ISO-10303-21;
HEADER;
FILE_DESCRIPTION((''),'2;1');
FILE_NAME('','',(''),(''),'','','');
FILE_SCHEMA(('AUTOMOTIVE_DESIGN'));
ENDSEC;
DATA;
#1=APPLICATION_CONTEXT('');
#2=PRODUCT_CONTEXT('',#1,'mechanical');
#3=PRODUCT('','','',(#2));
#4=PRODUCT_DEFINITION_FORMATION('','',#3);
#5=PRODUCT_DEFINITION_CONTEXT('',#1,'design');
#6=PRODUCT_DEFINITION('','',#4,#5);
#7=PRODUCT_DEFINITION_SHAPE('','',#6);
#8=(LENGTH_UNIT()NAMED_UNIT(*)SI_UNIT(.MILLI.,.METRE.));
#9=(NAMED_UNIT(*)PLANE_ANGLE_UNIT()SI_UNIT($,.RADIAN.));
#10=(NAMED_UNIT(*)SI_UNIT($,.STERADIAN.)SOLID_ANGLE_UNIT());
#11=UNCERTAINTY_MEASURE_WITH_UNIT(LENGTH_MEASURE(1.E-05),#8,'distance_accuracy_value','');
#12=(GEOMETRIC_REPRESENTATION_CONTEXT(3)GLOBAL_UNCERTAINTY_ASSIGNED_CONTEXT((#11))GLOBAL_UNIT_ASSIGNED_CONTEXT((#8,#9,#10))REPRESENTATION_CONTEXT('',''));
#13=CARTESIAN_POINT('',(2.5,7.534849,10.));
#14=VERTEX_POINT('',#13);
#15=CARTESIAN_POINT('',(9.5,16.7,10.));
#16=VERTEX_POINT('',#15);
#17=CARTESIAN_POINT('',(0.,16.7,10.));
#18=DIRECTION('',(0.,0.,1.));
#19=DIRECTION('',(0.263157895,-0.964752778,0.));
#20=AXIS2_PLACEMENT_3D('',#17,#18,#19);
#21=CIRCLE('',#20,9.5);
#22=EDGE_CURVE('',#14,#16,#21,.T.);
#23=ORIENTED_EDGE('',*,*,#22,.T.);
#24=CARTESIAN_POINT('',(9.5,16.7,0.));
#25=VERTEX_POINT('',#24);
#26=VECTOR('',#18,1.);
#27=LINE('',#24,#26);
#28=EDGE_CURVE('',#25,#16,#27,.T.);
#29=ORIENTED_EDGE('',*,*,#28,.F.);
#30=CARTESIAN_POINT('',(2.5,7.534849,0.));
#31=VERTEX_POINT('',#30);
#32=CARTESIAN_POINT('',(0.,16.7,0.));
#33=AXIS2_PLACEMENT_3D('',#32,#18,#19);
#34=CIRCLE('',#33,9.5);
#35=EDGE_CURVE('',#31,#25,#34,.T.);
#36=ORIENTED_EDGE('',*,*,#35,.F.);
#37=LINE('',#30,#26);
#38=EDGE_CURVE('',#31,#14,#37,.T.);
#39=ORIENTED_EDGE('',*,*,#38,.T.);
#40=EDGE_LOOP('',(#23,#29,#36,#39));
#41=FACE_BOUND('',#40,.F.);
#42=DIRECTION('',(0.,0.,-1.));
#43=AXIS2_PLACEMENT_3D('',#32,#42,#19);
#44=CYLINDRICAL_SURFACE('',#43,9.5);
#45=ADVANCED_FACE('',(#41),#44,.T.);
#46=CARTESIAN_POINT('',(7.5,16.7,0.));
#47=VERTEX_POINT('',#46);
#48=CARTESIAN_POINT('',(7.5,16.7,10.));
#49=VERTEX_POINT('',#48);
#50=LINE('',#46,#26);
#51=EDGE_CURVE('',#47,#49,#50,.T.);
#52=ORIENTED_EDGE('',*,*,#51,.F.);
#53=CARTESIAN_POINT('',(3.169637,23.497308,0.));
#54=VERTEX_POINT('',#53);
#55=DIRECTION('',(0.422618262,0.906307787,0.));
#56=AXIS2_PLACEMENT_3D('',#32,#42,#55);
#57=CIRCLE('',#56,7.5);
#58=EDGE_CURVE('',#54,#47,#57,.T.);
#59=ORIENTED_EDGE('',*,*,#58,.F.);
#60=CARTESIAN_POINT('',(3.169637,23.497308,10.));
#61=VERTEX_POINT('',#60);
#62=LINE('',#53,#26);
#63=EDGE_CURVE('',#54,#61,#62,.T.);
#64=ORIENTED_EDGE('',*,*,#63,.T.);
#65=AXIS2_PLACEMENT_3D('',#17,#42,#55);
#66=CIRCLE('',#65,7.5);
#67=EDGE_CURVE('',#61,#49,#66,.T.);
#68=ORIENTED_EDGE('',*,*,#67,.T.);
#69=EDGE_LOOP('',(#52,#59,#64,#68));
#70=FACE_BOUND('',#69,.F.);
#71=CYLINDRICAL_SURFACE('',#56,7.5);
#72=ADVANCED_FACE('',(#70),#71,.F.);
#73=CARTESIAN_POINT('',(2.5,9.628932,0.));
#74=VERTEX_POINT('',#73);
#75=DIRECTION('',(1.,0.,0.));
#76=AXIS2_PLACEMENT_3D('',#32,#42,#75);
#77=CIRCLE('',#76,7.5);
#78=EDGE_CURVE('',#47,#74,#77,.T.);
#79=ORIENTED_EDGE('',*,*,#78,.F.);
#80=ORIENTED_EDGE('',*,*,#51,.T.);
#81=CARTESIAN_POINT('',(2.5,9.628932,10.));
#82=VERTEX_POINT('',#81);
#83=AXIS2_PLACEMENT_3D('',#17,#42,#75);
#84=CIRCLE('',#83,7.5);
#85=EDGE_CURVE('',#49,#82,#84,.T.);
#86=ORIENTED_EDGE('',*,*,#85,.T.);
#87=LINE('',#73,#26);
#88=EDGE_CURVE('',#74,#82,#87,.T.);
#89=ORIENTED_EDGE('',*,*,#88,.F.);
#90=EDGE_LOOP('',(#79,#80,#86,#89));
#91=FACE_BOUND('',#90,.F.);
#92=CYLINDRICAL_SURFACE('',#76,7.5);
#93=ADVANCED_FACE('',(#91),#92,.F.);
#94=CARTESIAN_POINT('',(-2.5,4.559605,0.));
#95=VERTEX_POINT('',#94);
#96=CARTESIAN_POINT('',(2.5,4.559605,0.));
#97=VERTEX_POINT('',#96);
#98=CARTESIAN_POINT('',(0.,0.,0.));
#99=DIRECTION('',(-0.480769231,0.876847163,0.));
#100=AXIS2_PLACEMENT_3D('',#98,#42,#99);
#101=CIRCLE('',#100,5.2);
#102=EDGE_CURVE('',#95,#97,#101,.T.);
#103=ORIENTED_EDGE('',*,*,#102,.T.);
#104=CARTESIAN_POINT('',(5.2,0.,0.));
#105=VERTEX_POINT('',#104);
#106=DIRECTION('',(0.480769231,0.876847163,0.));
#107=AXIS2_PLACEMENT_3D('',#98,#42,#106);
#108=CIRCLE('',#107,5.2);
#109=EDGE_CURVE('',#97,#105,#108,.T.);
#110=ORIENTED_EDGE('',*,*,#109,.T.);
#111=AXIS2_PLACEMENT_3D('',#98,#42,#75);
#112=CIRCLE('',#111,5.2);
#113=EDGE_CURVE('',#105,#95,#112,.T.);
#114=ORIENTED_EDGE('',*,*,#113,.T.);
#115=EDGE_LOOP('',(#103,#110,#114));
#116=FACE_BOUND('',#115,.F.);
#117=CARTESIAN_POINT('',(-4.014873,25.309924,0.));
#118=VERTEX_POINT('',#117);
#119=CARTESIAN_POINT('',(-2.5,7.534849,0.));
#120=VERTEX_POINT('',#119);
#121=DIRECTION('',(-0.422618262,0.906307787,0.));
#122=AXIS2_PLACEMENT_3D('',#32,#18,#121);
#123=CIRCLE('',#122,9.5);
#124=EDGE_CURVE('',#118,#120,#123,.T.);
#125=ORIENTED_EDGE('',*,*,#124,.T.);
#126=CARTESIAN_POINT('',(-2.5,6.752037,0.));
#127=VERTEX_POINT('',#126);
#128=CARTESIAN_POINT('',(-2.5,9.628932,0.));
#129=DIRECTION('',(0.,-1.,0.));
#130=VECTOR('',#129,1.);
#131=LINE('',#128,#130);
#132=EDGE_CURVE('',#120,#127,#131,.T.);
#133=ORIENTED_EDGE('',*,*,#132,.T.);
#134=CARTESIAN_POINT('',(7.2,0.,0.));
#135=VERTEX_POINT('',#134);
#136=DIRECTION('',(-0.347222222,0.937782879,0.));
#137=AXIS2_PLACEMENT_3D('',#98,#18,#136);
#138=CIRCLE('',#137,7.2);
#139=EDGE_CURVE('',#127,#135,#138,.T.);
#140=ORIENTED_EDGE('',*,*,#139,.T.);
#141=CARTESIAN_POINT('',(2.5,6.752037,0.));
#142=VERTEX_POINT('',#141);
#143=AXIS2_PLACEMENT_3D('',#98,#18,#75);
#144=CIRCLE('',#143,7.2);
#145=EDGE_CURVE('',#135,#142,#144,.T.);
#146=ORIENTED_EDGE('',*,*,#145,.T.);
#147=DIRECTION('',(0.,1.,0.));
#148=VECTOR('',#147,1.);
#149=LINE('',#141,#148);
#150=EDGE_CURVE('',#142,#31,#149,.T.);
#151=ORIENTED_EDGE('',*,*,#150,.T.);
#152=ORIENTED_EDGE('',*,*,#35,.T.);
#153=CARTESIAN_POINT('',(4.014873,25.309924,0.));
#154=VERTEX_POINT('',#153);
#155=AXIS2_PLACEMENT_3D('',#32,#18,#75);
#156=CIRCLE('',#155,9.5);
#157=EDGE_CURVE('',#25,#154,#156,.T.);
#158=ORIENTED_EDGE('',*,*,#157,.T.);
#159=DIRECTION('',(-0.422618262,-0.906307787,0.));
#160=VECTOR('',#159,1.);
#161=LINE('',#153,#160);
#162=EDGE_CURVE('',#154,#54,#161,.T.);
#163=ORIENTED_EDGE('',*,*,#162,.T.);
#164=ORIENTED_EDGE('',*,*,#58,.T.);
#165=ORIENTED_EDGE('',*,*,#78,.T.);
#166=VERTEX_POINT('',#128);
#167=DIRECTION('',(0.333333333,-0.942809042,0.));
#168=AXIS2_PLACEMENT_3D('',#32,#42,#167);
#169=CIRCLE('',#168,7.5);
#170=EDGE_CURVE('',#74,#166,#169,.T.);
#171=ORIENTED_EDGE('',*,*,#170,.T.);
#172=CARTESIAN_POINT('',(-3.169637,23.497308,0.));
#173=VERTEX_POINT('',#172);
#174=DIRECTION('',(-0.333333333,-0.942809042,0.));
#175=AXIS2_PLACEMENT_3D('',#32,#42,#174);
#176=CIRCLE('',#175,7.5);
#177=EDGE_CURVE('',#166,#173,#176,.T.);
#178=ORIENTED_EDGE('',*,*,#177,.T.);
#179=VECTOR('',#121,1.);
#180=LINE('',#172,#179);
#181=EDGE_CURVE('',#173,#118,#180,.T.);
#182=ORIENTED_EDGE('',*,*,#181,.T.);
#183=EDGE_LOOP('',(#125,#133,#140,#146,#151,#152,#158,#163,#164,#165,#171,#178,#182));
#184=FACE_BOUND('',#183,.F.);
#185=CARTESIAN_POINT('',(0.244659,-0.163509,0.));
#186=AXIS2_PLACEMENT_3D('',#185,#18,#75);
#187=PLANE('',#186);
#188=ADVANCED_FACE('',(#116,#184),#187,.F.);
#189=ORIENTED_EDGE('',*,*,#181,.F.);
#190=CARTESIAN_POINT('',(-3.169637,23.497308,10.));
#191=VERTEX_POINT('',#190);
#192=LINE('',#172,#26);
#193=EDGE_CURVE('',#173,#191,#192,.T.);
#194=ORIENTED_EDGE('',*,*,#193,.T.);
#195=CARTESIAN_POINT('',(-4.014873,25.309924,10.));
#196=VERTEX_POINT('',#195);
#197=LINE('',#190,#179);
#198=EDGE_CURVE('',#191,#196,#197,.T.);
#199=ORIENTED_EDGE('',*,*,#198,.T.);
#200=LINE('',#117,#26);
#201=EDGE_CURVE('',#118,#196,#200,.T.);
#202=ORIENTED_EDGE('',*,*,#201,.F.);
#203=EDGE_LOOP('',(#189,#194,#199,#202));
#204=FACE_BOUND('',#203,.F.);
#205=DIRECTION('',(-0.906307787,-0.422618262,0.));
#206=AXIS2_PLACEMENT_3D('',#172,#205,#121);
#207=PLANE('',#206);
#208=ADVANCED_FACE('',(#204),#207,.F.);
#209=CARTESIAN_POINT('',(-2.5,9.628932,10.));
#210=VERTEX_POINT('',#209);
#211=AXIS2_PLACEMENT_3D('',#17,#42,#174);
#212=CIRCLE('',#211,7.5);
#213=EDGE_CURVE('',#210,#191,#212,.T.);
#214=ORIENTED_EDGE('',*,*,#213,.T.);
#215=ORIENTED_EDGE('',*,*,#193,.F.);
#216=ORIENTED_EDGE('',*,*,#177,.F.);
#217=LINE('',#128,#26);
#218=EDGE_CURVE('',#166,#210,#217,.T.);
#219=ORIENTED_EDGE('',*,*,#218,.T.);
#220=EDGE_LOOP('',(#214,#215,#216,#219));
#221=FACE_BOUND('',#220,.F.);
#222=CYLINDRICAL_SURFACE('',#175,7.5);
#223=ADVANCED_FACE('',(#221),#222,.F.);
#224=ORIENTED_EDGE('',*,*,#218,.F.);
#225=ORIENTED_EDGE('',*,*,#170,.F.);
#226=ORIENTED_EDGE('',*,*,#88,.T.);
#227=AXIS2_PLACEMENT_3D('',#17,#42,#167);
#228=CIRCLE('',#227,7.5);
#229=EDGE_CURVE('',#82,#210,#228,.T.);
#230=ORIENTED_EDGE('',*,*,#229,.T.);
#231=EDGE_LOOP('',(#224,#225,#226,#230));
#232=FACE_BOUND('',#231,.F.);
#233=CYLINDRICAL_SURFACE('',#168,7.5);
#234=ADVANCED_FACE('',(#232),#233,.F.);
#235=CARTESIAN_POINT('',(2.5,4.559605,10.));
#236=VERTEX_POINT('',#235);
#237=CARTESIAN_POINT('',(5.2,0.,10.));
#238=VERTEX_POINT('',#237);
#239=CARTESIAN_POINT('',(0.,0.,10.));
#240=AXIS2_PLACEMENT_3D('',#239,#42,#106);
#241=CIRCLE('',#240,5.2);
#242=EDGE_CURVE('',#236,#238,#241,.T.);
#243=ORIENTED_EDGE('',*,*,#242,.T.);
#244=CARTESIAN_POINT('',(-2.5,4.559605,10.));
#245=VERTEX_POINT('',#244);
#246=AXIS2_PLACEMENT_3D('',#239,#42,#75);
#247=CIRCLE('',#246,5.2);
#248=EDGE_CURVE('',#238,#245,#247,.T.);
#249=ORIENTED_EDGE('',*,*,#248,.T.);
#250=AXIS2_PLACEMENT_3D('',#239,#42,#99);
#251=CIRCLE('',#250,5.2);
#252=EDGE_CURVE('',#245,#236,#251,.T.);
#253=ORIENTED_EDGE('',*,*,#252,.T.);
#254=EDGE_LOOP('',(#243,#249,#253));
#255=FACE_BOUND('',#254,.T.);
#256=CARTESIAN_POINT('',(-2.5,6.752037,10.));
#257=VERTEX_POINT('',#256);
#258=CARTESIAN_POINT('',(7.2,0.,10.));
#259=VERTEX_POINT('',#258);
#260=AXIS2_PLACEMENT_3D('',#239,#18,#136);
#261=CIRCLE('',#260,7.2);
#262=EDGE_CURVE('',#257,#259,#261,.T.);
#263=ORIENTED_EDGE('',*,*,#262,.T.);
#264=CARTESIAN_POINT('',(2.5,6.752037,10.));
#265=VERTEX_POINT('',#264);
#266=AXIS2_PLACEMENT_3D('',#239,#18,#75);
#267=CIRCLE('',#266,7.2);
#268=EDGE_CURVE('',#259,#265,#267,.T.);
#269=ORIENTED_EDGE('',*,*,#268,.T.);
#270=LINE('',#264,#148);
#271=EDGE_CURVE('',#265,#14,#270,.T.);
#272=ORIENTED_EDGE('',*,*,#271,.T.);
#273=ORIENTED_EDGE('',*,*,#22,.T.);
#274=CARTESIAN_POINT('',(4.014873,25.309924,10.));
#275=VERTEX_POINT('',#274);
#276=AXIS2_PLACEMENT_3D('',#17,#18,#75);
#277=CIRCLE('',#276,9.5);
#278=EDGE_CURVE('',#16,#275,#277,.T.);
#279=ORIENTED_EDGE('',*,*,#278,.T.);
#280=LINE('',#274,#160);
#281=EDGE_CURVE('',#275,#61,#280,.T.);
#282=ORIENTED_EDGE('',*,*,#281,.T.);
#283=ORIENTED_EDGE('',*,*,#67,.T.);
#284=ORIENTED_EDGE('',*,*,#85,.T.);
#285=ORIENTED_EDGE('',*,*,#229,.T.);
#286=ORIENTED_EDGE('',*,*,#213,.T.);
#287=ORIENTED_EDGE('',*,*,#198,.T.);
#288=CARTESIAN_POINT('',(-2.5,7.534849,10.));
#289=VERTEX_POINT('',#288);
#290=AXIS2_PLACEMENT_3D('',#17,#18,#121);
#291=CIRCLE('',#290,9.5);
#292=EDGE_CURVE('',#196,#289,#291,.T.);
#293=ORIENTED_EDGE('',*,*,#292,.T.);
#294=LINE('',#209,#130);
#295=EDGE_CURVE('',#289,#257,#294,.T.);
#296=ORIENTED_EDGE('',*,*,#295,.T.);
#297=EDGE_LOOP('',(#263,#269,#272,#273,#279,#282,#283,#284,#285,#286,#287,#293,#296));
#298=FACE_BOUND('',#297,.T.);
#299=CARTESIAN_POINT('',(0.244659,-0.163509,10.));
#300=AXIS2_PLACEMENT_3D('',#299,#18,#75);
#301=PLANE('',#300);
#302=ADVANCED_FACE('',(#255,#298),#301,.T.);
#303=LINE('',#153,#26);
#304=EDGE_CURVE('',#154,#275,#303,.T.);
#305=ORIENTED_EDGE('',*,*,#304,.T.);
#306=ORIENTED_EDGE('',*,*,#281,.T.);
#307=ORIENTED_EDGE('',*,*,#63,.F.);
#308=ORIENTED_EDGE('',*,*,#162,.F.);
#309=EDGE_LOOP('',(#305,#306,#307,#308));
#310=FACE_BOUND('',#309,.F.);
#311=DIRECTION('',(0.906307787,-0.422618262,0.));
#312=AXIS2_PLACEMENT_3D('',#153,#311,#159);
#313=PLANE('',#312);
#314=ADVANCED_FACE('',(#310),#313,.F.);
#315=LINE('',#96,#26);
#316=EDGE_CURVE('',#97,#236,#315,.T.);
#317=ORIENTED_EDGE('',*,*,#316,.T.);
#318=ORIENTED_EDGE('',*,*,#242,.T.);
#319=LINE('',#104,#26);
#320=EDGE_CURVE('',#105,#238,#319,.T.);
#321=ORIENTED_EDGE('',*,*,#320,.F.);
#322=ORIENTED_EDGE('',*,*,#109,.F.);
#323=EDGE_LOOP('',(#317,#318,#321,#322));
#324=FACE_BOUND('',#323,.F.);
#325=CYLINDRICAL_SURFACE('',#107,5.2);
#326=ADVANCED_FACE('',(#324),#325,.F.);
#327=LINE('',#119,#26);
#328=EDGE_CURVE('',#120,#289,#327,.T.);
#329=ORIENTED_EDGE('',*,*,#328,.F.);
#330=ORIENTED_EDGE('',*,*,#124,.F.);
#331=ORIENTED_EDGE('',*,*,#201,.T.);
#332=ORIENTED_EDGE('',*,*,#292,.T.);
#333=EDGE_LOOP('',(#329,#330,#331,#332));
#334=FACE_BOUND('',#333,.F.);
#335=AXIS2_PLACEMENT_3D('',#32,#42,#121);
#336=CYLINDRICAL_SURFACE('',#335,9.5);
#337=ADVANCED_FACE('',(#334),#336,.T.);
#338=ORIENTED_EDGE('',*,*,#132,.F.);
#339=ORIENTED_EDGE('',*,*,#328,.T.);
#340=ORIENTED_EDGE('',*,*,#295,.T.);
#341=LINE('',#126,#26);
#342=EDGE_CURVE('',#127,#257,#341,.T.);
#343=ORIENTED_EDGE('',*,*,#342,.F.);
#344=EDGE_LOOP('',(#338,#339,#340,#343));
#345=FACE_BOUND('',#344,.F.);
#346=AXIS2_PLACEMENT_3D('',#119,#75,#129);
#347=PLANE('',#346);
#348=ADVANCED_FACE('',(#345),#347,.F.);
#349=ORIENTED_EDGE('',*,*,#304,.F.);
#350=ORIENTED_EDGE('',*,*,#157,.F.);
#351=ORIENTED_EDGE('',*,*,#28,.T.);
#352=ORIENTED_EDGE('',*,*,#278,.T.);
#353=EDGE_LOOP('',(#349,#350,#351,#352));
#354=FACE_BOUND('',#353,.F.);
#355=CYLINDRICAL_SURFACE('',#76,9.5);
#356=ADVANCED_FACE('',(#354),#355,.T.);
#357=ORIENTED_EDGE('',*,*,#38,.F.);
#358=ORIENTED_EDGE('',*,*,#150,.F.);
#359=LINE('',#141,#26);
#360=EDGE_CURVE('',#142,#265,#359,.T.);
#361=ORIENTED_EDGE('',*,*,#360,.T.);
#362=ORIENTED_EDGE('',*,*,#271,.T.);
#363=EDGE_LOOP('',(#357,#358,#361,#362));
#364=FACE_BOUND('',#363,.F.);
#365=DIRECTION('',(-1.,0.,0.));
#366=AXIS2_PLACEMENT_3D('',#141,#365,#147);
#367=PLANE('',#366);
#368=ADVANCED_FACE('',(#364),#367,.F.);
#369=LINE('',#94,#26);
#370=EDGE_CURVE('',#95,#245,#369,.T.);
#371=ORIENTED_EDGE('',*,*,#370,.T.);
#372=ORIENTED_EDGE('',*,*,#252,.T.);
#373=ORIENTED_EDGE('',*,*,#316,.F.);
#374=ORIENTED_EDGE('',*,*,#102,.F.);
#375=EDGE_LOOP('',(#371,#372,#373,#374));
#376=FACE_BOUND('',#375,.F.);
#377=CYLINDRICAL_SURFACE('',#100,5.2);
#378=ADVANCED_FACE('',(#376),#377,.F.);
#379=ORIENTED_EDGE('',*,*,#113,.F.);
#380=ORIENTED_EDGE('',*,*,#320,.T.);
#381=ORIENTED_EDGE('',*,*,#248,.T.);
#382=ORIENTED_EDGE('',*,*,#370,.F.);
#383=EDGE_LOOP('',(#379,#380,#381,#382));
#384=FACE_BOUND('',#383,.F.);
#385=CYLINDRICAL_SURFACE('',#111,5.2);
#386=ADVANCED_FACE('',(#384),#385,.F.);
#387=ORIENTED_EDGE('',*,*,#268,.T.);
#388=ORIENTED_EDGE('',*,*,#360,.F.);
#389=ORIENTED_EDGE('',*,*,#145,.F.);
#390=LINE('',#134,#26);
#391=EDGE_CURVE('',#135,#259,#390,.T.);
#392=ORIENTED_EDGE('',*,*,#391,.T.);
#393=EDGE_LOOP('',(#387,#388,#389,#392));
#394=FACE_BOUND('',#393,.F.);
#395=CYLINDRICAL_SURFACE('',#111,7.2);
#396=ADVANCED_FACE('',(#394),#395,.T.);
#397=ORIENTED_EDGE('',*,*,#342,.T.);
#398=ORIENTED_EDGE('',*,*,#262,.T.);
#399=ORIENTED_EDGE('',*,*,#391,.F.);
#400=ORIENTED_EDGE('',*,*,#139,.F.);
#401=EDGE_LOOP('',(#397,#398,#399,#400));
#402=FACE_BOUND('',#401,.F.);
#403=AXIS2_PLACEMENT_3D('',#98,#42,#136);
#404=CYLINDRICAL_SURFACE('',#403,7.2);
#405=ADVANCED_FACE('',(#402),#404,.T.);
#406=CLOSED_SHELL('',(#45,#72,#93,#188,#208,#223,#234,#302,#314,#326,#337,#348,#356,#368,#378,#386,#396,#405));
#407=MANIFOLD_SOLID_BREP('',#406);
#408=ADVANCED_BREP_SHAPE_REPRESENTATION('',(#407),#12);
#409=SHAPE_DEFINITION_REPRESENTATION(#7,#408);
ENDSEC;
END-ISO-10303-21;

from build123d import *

# Parameters (mm, degrees)
F1_DEPTH = 10


with BuildPart() as f1:
    # F0 (on Top) → F1 (new body)
    with BuildSketch(Plane.XY):
        with BuildLine():
            ThreePointArc((2.5, 4.5596052461), (4.4743714642, 2.6495282599), (5.2, 0))
            ThreePointArc((5.2, 0), (-2.6495282599, -4.4743714642), (-2.5, 4.5596052461))
            Line((-2.5, 4.5596052461), (-2.5, 6.7520367298))
            ThreePointArc((-2.5, 6.7520367298), (-4.1133927602, -5.9093146811), (7.2, 0))
            ThreePointArc((7.2, 0), (5.9093146811, 4.1133927602), (2.5, 6.7520367298))
            Line((2.5, 6.7520367298), (2.5, 4.5596052461))
        make_face()
        with BuildLine():
            ThreePointArc((-4.53e-08, 7.2), (1.2699085464, 7.0871244016), (2.5, 6.7520367298))
            Line((2.5, 6.7520367298), (2.5, 7.5348486101))
            ThreePointArc((2.5, 7.5348486101), (1.261162496, 7.2840842634), (-4.53e-08, 7.2))
        make_face()
        with BuildLine():
            Line((-2.5, 7.5348486101), (-2.5, 6.7520367298))
            ThreePointArc((-2.5, 6.7520367298), (-1.269908591, 7.0871243936), (-4.53e-08, 7.2))
            ThreePointArc((-4.53e-08, 7.2), (-1.2611625409, 7.2840842694), (-2.5, 7.5348486101))
        make_face()
        with BuildLine():
            Line((2.5, 9.6289321881), (2.5, 7.5348486101))
            ThreePointArc((2.5, 7.5348486101), (7.5498344353, 10.9337187027), (9.5, 16.7))
            ThreePointArc((9.5, 16.7), (8.0122187352, 21.8043462793), (4.0148734865, 25.3099239768))
            Line((4.0148734865, 25.3099239768), (3.1696369631, 23.4973084028))
            ThreePointArc((3.1696369631, 23.4973084028), (6.3254358436, 20.7297470626), (7.5, 16.7))
            ThreePointArc((7.5, 16.7), (6.123724357, 12.3698729811), (2.5, 9.6289321881))
        make_face()
        with BuildLine():
            ThreePointArc((-2.5, 4.5596052461), (0, 5.2), (2.5, 4.5596052461))
            Line((2.5, 4.5596052461), (2.5, 6.7520367298))
            ThreePointArc((2.5, 6.7520367298), (1.2699085464, 7.0871244016), (-4.53e-08, 7.2))
            ThreePointArc((-4.53e-08, 7.2), (-1.269908591, 7.0871243936), (-2.5, 6.7520367298))
            Line((-2.5, 6.7520367298), (-2.5, 4.5596052461))
        make_face()
        with BuildLine():
            ThreePointArc((-2.5, 7.5348486101), (-1.2611625409, 7.2840842694), (-4.53e-08, 7.2))
            ThreePointArc((-4.53e-08, 7.2), (1.261162496, 7.2840842634), (2.5, 7.5348486101))
            Line((2.5, 7.5348486101), (2.5, 9.6289321881))
            ThreePointArc((2.5, 9.6289321881), (0, 9.2), (-2.5, 9.6289321881))
            Line((-2.5, 9.6289321881), (-2.5, 7.5348486101))
        make_face()
        with BuildLine():
            ThreePointArc((-4.0148734865, 25.3099239768), (-9.4656864627, 15.8932907648), (-2.5, 7.5348486101))
            Line((-2.5, 7.5348486101), (-2.5, 9.6289321881))
            ThreePointArc((-2.5, 9.6289321881), (-7.4912722905, 16.3382826116), (-3.1696369631, 23.4973084028))
            Line((-3.1696369631, 23.4973084028), (-4.0148734865, 25.3099239768))
        make_face()
    extrude(amount=F1_DEPTH)


solid = f1.part
